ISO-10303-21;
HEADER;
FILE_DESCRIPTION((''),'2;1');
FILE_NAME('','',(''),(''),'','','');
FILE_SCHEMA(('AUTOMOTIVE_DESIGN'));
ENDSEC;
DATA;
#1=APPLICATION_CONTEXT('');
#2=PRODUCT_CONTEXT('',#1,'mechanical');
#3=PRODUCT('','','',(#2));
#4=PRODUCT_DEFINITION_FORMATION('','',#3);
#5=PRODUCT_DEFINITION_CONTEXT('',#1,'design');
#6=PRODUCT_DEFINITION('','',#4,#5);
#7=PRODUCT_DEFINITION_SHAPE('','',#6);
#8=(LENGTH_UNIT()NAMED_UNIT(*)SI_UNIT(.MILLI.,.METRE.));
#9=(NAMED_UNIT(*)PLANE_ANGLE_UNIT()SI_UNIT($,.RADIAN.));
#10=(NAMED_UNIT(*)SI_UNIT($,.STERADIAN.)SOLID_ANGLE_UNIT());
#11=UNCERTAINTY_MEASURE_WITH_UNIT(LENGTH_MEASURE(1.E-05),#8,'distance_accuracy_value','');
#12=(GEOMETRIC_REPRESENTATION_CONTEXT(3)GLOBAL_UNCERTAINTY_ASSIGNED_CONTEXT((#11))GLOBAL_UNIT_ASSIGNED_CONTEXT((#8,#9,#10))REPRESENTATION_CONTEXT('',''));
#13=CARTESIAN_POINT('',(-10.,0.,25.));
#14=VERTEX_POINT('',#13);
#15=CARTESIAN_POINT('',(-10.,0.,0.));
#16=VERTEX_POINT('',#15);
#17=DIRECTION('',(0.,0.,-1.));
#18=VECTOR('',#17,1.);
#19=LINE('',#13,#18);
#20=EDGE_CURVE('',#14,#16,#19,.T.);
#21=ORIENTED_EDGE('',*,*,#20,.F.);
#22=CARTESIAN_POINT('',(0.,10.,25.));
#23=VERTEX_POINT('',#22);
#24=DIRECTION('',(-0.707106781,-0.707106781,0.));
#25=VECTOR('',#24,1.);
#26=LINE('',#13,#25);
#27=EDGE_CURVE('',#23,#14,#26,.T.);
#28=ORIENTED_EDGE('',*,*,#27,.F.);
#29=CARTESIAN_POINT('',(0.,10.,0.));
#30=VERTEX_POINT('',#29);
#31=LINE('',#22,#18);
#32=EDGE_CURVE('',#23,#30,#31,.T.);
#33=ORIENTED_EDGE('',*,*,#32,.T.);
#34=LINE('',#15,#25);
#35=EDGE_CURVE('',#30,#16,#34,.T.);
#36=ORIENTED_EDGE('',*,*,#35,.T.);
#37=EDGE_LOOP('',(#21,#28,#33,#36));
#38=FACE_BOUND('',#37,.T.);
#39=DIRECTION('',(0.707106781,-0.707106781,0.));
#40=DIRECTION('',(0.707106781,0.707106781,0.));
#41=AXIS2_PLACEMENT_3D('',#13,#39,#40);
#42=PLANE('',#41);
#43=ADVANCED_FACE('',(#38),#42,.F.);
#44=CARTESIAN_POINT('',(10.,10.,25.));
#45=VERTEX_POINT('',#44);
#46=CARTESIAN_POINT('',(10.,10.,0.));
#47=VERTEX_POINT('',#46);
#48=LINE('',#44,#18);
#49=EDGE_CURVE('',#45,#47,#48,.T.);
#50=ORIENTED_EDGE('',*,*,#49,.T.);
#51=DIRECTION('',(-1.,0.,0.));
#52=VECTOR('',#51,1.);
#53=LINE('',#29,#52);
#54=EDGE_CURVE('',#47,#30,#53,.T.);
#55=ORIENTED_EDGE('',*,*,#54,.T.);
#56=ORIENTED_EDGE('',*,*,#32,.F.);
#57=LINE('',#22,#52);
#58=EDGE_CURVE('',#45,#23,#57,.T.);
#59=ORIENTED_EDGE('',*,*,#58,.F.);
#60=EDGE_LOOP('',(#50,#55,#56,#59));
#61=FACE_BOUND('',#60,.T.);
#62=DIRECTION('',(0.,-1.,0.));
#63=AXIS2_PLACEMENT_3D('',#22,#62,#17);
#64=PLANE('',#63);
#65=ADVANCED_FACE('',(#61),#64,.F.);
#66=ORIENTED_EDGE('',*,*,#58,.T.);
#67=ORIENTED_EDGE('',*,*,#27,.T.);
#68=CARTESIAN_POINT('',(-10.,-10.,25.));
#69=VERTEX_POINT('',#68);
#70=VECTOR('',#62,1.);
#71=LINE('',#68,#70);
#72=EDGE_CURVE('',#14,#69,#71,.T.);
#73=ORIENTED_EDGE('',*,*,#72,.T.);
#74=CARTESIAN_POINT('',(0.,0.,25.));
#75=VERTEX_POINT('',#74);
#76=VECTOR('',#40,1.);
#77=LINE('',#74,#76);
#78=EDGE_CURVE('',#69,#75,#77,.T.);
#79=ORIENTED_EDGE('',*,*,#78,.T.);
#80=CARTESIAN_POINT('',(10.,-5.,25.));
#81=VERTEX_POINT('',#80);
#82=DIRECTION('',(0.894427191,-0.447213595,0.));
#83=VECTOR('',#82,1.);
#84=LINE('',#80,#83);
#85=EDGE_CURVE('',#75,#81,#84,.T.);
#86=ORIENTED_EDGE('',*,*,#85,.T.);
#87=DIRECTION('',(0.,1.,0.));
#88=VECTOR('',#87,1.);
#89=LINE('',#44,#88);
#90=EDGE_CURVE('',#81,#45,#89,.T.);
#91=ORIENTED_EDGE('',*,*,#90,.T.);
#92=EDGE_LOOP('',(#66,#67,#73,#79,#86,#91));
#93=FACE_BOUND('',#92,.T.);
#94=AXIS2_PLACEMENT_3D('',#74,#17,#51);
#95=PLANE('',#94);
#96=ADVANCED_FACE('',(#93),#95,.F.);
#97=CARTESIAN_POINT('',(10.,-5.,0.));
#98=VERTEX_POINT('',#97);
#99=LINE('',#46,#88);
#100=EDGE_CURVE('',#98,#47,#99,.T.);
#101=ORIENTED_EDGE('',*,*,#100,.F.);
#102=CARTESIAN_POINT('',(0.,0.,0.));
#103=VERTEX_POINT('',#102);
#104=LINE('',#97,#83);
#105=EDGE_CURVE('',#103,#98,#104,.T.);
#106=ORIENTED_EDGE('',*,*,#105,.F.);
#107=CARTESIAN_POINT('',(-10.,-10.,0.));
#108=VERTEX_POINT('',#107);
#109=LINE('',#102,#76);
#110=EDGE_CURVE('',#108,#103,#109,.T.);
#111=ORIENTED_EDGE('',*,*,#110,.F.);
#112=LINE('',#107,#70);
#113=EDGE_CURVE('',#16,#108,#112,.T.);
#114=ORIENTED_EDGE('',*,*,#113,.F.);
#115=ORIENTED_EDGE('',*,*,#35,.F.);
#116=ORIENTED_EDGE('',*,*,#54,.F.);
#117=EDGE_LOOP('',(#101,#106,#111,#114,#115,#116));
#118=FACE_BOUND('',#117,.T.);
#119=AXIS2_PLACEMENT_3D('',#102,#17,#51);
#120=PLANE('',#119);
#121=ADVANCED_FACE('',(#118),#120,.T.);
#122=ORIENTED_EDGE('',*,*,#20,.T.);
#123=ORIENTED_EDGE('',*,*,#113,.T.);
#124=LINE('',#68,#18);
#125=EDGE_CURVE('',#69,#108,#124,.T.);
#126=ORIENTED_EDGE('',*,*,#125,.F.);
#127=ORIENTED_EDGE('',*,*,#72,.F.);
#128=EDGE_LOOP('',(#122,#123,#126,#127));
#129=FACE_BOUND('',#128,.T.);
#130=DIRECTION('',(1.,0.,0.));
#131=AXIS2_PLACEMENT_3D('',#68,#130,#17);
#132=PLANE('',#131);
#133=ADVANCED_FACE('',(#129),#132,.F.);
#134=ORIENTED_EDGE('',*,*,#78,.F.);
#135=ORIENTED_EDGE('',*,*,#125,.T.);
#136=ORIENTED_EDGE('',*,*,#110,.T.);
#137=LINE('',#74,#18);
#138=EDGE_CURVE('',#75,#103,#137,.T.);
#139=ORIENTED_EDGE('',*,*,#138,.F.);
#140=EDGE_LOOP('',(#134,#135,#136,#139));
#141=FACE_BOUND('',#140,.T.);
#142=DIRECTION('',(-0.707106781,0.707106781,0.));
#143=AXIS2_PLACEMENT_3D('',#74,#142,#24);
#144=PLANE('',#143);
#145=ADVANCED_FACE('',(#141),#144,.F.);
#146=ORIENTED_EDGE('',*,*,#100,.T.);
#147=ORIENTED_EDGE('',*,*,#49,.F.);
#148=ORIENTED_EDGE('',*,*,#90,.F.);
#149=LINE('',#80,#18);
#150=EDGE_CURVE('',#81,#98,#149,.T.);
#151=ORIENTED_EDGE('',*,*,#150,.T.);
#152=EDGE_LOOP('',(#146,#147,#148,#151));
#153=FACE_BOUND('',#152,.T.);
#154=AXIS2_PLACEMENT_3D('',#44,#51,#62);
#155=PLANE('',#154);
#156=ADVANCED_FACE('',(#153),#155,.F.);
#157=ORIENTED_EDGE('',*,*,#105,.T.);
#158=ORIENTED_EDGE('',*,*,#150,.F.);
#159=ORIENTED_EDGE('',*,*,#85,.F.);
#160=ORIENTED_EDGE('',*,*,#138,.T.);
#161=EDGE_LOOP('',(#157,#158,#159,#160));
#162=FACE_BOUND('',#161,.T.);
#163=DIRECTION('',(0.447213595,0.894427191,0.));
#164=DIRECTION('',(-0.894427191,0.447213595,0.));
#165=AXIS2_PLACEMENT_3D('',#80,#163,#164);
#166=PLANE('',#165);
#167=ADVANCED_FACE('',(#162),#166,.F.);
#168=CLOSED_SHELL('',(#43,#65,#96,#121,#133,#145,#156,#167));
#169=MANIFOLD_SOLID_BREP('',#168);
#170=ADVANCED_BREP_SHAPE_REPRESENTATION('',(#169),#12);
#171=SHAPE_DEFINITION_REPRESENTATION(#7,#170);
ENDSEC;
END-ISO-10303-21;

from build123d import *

# Parameters (mm, degrees)
BOSS_EXTRUDE1_DEPTH = 25


with BuildPart() as part:
    # Sketch1 → Boss-Extrude1 (new body)
    with BuildSketch(Plane.XY):
        Polygon((-10, 0), (0, 10), (10, 10), (10, -5), (0, 0), (-10, -10), align=None)
    extrude(amount=BOSS_EXTRUDE1_DEPTH)


solid = part.part
